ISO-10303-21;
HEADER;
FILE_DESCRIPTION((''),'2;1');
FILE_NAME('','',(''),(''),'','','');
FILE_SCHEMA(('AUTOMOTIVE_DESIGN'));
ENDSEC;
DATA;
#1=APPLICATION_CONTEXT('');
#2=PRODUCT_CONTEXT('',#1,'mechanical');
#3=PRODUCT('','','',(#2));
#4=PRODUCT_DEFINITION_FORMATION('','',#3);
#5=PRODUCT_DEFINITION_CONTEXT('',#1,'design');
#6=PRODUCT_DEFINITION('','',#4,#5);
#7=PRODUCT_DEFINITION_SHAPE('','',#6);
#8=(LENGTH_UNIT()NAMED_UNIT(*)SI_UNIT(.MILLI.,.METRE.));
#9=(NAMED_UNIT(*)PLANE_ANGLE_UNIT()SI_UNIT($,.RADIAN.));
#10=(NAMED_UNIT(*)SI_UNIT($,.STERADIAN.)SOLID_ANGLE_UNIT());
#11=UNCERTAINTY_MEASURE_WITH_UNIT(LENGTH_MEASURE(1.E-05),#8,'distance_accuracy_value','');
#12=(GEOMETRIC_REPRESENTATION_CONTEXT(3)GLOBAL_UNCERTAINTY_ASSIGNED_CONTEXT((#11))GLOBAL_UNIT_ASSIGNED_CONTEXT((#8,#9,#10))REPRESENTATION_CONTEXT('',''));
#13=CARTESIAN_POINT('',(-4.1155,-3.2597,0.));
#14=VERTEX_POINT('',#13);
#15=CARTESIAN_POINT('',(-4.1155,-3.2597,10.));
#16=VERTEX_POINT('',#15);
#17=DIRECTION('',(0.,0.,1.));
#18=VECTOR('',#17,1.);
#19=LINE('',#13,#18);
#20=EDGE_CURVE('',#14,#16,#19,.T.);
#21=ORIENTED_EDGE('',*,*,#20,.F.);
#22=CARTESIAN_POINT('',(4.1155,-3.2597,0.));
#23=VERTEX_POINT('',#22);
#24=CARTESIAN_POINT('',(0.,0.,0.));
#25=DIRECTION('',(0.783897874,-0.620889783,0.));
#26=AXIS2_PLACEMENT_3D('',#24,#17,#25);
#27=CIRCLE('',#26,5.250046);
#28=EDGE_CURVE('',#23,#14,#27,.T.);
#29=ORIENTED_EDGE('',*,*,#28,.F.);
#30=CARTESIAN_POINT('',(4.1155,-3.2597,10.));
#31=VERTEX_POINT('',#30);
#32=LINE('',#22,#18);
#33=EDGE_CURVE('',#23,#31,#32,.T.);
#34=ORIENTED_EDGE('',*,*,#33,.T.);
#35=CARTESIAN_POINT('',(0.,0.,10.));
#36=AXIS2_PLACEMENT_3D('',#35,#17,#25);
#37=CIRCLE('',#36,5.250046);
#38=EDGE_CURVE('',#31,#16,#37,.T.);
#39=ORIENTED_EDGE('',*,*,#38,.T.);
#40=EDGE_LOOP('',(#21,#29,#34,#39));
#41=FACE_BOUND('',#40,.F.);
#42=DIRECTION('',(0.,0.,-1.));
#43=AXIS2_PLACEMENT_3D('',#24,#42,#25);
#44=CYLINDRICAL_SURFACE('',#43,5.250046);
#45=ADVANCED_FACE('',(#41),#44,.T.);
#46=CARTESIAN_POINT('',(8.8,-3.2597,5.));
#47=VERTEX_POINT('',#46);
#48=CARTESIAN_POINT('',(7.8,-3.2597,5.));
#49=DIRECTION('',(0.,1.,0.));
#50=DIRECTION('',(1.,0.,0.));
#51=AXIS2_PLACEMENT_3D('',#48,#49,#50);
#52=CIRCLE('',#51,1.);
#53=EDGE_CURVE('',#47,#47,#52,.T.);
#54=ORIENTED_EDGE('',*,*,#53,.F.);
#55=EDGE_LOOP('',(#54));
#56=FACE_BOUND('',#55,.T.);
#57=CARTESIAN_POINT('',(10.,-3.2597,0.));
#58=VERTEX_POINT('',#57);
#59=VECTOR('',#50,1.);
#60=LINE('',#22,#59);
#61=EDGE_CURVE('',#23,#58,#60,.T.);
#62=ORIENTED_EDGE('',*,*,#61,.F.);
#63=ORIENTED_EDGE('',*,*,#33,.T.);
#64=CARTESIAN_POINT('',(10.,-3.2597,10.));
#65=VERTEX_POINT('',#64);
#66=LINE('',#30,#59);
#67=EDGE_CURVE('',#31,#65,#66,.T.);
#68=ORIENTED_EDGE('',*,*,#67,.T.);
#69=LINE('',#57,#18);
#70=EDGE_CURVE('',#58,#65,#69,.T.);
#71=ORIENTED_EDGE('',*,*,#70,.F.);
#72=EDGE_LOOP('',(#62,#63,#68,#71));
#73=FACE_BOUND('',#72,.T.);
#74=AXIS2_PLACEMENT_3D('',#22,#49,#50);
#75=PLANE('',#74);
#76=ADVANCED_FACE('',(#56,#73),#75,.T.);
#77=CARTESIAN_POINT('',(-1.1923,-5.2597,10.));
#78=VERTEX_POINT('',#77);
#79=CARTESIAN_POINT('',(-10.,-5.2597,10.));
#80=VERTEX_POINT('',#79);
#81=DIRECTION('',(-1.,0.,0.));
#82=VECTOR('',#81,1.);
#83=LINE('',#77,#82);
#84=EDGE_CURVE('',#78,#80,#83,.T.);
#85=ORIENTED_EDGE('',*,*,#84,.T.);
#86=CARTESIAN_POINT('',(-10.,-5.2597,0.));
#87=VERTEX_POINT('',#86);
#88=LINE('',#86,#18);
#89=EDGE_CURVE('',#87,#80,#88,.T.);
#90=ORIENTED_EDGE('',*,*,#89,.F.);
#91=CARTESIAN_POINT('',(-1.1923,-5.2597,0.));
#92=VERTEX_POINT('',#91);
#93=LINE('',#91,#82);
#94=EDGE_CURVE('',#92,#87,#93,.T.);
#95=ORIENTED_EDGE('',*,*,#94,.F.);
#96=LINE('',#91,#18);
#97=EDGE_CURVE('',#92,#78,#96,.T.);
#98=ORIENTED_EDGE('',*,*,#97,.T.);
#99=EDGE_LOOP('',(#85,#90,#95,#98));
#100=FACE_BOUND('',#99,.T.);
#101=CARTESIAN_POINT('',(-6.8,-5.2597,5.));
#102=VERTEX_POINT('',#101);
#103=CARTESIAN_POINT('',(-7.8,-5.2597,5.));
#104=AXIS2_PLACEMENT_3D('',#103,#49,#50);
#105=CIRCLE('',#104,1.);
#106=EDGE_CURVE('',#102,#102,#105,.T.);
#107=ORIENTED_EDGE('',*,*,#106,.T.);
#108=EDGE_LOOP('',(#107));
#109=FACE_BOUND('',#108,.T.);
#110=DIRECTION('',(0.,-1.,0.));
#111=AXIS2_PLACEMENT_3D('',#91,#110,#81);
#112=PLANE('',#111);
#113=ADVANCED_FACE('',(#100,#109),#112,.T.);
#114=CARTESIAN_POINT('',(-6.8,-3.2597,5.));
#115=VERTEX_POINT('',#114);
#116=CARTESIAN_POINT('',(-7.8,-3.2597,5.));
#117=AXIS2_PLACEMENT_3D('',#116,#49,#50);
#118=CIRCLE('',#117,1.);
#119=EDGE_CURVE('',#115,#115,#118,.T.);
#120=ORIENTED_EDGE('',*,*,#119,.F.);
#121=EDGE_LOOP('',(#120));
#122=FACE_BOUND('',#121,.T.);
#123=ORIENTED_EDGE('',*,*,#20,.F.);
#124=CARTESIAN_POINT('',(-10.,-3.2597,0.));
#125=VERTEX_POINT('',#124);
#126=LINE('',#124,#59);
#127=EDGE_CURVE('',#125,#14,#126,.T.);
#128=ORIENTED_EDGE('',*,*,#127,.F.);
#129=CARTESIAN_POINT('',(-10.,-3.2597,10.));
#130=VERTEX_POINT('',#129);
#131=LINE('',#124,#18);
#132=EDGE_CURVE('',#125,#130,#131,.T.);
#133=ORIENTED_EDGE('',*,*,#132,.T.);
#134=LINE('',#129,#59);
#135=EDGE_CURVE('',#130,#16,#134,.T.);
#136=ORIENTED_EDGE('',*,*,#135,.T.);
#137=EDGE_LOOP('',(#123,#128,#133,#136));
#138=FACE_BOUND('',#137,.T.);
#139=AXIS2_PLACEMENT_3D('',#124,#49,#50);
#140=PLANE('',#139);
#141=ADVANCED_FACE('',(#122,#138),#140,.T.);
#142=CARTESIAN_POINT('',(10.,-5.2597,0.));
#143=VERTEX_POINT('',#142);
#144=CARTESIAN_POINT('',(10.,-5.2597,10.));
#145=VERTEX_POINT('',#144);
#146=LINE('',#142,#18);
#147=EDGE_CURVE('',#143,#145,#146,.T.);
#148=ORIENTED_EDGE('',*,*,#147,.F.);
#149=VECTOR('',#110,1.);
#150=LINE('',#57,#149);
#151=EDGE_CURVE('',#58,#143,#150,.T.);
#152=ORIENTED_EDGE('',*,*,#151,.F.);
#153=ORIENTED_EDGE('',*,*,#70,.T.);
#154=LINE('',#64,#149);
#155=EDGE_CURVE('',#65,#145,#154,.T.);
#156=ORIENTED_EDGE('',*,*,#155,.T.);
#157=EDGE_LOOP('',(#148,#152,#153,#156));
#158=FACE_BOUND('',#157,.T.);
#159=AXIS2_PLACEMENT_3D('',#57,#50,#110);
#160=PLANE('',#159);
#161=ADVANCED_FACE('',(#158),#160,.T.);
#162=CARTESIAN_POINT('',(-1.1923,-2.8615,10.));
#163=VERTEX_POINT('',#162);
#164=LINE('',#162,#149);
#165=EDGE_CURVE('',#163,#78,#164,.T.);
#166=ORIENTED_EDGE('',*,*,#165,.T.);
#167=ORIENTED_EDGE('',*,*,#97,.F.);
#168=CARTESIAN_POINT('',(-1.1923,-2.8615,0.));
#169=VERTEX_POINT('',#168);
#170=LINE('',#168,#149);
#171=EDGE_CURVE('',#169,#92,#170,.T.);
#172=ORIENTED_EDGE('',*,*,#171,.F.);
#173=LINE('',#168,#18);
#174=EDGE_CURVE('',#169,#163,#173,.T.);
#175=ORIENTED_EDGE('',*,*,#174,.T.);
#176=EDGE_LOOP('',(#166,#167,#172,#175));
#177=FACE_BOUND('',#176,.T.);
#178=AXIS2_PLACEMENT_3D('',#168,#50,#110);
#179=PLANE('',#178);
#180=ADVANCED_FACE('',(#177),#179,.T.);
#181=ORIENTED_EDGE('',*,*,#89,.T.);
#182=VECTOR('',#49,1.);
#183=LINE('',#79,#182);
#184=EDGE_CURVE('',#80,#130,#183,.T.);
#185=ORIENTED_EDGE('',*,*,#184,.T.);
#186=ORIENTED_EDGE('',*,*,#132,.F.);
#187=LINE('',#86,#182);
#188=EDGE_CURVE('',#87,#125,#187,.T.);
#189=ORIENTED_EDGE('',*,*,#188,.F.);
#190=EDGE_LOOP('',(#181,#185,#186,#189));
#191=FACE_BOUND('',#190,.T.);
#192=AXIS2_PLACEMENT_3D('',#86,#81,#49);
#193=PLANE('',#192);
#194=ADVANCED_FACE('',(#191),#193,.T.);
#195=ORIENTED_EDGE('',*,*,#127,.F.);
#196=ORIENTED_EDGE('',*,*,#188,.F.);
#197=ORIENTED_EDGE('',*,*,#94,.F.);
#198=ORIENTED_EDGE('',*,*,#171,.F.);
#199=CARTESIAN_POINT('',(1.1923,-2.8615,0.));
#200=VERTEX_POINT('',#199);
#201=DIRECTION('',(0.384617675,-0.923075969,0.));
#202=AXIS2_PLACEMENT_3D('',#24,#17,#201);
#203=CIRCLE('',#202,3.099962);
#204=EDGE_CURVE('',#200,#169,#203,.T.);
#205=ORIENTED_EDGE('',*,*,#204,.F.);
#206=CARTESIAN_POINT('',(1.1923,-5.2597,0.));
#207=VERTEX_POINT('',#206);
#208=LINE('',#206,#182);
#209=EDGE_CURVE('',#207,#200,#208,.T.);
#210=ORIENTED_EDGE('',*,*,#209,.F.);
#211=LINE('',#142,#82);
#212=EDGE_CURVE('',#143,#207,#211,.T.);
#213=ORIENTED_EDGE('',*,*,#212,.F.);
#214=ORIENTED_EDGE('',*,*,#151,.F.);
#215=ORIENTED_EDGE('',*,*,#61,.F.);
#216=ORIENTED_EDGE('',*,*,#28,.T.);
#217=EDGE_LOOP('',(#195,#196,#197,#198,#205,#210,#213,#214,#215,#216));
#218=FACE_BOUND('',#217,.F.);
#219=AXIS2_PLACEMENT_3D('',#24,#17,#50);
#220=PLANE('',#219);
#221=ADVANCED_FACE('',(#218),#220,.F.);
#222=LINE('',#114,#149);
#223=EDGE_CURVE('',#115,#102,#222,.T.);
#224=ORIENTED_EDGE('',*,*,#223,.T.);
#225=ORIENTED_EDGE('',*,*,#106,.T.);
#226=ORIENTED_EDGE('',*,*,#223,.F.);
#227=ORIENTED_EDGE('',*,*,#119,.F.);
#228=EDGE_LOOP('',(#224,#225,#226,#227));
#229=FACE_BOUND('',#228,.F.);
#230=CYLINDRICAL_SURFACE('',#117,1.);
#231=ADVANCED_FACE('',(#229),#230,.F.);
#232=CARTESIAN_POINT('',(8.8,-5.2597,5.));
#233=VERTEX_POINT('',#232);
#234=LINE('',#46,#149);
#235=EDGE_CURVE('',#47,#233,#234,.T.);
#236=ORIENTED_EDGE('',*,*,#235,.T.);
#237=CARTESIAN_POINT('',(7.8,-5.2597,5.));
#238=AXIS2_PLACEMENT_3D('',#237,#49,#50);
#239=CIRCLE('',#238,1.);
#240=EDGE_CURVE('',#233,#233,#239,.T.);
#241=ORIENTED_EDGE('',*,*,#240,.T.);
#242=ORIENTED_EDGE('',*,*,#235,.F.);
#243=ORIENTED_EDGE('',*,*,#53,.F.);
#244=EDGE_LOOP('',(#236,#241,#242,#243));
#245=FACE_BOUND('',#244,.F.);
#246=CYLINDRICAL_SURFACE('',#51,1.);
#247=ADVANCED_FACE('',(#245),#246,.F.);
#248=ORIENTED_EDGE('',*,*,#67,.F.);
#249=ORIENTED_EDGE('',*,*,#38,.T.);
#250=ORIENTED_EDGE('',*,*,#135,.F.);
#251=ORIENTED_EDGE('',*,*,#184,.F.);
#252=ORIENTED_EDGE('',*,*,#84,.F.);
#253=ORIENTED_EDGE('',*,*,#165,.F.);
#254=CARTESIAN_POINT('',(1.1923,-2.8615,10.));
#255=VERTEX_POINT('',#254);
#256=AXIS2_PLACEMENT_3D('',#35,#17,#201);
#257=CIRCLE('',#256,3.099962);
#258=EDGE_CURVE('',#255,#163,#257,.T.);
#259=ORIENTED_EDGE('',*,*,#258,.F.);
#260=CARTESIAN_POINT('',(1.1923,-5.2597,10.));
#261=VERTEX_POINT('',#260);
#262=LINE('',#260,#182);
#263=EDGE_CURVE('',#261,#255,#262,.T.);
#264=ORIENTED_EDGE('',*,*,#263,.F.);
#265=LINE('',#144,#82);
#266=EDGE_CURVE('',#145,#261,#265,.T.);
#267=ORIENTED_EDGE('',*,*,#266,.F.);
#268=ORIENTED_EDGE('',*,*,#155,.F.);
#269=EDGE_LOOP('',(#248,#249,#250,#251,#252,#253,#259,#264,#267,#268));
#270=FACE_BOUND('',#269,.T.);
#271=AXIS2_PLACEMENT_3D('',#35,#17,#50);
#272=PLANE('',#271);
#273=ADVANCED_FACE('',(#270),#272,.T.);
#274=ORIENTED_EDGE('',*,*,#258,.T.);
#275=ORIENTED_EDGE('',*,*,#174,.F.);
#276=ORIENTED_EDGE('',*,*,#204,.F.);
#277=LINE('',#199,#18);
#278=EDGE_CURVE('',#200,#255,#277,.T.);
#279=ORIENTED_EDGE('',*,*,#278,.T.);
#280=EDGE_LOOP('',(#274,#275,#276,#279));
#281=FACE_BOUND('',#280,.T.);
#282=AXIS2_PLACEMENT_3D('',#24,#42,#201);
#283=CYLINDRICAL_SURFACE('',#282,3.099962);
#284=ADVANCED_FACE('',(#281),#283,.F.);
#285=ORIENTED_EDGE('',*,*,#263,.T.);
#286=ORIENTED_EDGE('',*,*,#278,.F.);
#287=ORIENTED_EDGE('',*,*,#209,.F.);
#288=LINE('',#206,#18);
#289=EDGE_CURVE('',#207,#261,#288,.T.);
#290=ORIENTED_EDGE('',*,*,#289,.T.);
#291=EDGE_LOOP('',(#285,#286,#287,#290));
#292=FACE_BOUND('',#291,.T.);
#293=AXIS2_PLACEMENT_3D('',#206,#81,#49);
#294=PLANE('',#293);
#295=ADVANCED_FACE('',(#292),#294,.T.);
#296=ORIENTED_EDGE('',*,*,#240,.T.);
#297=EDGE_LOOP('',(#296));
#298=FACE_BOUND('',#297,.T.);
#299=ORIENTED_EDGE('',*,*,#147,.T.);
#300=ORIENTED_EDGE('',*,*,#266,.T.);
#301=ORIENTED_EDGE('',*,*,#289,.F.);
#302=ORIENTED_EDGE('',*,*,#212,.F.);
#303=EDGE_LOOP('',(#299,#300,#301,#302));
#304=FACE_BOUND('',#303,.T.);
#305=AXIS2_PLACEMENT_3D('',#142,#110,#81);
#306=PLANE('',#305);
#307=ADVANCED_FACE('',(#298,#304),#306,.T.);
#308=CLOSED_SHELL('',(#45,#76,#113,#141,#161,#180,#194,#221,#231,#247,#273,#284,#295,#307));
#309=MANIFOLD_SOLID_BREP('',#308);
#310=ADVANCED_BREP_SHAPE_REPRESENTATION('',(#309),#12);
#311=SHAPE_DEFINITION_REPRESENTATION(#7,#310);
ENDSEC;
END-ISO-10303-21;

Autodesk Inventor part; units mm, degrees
ref_plane "YZ Plane" through (0, 0, 0) normal (1, 0, 0) x (0, 1, 0)
ref_plane "XZ Plane" through (0, 0, 0) normal (0, 1, 0) x (-1, 0, 0)
ref_plane "XY Plane" through (0, 0, 0) normal (0, 0, 1) x (1, 0, 0)
sketch "スケッチ1" plane through (0, 0, 0) normal (0, 0, 1) x (1, 0, 0)
  arc A0 (1.1923, -2.8615) -> (-1.1923, -2.8615) centre (0, 0) ccw
  arc A1 (4.1155, -3.2597) -> (-4.1155, -3.2597) centre (0, 0) ccw
  line L0 (-10, -3.2597) -> (-4.1155, -3.2597)
  line L1 (10, -3.2597) -> (10, -5.2597)
  line L2 (10, -5.2597) -> (1.1923, -5.2597)
  line L3 (-10, -5.2597) -> (-10, -3.2597)
  line L4 (4.1155, -3.2597) -> (10, -3.2597)
  line L5 (1.1923, -5.2597) -> (1.1923, -2.8615)
  line L6 (-1.1923, -2.8615) -> (-1.1923, -5.2597)
  line L7 (-1.1923, -5.2597) -> (-10, -5.2597)
  dimension "d0" = 6.2
  dimension "d1" = 10.5
  dimension "d2" = 20
  dimension "d5" = 2
extrude "押し出し1" add sketch "スケッチ1" along normal blind 10
sketch "スケッチ2" plane through (-10, -3.2597, 0) normal (0, 1, 0) x (1, 0, 0)
  circle A0 centre (2.2, -5) radius 1
  circle A1 centre (17.8, -5) radius 1
  line L0 (0, 0) -> (0, -10) projected
  point P0 (10, 0)
  point P1 (0, -5)
  dimension "d8" = 2
  dimension "d9" = 2
  dimension "d10" = 15.6
  dimension "d11" = 2.2
extrude "押し出し2" cut sketch "スケッチ2" against normal blind 10
properties part number "motor_cover_part2"
